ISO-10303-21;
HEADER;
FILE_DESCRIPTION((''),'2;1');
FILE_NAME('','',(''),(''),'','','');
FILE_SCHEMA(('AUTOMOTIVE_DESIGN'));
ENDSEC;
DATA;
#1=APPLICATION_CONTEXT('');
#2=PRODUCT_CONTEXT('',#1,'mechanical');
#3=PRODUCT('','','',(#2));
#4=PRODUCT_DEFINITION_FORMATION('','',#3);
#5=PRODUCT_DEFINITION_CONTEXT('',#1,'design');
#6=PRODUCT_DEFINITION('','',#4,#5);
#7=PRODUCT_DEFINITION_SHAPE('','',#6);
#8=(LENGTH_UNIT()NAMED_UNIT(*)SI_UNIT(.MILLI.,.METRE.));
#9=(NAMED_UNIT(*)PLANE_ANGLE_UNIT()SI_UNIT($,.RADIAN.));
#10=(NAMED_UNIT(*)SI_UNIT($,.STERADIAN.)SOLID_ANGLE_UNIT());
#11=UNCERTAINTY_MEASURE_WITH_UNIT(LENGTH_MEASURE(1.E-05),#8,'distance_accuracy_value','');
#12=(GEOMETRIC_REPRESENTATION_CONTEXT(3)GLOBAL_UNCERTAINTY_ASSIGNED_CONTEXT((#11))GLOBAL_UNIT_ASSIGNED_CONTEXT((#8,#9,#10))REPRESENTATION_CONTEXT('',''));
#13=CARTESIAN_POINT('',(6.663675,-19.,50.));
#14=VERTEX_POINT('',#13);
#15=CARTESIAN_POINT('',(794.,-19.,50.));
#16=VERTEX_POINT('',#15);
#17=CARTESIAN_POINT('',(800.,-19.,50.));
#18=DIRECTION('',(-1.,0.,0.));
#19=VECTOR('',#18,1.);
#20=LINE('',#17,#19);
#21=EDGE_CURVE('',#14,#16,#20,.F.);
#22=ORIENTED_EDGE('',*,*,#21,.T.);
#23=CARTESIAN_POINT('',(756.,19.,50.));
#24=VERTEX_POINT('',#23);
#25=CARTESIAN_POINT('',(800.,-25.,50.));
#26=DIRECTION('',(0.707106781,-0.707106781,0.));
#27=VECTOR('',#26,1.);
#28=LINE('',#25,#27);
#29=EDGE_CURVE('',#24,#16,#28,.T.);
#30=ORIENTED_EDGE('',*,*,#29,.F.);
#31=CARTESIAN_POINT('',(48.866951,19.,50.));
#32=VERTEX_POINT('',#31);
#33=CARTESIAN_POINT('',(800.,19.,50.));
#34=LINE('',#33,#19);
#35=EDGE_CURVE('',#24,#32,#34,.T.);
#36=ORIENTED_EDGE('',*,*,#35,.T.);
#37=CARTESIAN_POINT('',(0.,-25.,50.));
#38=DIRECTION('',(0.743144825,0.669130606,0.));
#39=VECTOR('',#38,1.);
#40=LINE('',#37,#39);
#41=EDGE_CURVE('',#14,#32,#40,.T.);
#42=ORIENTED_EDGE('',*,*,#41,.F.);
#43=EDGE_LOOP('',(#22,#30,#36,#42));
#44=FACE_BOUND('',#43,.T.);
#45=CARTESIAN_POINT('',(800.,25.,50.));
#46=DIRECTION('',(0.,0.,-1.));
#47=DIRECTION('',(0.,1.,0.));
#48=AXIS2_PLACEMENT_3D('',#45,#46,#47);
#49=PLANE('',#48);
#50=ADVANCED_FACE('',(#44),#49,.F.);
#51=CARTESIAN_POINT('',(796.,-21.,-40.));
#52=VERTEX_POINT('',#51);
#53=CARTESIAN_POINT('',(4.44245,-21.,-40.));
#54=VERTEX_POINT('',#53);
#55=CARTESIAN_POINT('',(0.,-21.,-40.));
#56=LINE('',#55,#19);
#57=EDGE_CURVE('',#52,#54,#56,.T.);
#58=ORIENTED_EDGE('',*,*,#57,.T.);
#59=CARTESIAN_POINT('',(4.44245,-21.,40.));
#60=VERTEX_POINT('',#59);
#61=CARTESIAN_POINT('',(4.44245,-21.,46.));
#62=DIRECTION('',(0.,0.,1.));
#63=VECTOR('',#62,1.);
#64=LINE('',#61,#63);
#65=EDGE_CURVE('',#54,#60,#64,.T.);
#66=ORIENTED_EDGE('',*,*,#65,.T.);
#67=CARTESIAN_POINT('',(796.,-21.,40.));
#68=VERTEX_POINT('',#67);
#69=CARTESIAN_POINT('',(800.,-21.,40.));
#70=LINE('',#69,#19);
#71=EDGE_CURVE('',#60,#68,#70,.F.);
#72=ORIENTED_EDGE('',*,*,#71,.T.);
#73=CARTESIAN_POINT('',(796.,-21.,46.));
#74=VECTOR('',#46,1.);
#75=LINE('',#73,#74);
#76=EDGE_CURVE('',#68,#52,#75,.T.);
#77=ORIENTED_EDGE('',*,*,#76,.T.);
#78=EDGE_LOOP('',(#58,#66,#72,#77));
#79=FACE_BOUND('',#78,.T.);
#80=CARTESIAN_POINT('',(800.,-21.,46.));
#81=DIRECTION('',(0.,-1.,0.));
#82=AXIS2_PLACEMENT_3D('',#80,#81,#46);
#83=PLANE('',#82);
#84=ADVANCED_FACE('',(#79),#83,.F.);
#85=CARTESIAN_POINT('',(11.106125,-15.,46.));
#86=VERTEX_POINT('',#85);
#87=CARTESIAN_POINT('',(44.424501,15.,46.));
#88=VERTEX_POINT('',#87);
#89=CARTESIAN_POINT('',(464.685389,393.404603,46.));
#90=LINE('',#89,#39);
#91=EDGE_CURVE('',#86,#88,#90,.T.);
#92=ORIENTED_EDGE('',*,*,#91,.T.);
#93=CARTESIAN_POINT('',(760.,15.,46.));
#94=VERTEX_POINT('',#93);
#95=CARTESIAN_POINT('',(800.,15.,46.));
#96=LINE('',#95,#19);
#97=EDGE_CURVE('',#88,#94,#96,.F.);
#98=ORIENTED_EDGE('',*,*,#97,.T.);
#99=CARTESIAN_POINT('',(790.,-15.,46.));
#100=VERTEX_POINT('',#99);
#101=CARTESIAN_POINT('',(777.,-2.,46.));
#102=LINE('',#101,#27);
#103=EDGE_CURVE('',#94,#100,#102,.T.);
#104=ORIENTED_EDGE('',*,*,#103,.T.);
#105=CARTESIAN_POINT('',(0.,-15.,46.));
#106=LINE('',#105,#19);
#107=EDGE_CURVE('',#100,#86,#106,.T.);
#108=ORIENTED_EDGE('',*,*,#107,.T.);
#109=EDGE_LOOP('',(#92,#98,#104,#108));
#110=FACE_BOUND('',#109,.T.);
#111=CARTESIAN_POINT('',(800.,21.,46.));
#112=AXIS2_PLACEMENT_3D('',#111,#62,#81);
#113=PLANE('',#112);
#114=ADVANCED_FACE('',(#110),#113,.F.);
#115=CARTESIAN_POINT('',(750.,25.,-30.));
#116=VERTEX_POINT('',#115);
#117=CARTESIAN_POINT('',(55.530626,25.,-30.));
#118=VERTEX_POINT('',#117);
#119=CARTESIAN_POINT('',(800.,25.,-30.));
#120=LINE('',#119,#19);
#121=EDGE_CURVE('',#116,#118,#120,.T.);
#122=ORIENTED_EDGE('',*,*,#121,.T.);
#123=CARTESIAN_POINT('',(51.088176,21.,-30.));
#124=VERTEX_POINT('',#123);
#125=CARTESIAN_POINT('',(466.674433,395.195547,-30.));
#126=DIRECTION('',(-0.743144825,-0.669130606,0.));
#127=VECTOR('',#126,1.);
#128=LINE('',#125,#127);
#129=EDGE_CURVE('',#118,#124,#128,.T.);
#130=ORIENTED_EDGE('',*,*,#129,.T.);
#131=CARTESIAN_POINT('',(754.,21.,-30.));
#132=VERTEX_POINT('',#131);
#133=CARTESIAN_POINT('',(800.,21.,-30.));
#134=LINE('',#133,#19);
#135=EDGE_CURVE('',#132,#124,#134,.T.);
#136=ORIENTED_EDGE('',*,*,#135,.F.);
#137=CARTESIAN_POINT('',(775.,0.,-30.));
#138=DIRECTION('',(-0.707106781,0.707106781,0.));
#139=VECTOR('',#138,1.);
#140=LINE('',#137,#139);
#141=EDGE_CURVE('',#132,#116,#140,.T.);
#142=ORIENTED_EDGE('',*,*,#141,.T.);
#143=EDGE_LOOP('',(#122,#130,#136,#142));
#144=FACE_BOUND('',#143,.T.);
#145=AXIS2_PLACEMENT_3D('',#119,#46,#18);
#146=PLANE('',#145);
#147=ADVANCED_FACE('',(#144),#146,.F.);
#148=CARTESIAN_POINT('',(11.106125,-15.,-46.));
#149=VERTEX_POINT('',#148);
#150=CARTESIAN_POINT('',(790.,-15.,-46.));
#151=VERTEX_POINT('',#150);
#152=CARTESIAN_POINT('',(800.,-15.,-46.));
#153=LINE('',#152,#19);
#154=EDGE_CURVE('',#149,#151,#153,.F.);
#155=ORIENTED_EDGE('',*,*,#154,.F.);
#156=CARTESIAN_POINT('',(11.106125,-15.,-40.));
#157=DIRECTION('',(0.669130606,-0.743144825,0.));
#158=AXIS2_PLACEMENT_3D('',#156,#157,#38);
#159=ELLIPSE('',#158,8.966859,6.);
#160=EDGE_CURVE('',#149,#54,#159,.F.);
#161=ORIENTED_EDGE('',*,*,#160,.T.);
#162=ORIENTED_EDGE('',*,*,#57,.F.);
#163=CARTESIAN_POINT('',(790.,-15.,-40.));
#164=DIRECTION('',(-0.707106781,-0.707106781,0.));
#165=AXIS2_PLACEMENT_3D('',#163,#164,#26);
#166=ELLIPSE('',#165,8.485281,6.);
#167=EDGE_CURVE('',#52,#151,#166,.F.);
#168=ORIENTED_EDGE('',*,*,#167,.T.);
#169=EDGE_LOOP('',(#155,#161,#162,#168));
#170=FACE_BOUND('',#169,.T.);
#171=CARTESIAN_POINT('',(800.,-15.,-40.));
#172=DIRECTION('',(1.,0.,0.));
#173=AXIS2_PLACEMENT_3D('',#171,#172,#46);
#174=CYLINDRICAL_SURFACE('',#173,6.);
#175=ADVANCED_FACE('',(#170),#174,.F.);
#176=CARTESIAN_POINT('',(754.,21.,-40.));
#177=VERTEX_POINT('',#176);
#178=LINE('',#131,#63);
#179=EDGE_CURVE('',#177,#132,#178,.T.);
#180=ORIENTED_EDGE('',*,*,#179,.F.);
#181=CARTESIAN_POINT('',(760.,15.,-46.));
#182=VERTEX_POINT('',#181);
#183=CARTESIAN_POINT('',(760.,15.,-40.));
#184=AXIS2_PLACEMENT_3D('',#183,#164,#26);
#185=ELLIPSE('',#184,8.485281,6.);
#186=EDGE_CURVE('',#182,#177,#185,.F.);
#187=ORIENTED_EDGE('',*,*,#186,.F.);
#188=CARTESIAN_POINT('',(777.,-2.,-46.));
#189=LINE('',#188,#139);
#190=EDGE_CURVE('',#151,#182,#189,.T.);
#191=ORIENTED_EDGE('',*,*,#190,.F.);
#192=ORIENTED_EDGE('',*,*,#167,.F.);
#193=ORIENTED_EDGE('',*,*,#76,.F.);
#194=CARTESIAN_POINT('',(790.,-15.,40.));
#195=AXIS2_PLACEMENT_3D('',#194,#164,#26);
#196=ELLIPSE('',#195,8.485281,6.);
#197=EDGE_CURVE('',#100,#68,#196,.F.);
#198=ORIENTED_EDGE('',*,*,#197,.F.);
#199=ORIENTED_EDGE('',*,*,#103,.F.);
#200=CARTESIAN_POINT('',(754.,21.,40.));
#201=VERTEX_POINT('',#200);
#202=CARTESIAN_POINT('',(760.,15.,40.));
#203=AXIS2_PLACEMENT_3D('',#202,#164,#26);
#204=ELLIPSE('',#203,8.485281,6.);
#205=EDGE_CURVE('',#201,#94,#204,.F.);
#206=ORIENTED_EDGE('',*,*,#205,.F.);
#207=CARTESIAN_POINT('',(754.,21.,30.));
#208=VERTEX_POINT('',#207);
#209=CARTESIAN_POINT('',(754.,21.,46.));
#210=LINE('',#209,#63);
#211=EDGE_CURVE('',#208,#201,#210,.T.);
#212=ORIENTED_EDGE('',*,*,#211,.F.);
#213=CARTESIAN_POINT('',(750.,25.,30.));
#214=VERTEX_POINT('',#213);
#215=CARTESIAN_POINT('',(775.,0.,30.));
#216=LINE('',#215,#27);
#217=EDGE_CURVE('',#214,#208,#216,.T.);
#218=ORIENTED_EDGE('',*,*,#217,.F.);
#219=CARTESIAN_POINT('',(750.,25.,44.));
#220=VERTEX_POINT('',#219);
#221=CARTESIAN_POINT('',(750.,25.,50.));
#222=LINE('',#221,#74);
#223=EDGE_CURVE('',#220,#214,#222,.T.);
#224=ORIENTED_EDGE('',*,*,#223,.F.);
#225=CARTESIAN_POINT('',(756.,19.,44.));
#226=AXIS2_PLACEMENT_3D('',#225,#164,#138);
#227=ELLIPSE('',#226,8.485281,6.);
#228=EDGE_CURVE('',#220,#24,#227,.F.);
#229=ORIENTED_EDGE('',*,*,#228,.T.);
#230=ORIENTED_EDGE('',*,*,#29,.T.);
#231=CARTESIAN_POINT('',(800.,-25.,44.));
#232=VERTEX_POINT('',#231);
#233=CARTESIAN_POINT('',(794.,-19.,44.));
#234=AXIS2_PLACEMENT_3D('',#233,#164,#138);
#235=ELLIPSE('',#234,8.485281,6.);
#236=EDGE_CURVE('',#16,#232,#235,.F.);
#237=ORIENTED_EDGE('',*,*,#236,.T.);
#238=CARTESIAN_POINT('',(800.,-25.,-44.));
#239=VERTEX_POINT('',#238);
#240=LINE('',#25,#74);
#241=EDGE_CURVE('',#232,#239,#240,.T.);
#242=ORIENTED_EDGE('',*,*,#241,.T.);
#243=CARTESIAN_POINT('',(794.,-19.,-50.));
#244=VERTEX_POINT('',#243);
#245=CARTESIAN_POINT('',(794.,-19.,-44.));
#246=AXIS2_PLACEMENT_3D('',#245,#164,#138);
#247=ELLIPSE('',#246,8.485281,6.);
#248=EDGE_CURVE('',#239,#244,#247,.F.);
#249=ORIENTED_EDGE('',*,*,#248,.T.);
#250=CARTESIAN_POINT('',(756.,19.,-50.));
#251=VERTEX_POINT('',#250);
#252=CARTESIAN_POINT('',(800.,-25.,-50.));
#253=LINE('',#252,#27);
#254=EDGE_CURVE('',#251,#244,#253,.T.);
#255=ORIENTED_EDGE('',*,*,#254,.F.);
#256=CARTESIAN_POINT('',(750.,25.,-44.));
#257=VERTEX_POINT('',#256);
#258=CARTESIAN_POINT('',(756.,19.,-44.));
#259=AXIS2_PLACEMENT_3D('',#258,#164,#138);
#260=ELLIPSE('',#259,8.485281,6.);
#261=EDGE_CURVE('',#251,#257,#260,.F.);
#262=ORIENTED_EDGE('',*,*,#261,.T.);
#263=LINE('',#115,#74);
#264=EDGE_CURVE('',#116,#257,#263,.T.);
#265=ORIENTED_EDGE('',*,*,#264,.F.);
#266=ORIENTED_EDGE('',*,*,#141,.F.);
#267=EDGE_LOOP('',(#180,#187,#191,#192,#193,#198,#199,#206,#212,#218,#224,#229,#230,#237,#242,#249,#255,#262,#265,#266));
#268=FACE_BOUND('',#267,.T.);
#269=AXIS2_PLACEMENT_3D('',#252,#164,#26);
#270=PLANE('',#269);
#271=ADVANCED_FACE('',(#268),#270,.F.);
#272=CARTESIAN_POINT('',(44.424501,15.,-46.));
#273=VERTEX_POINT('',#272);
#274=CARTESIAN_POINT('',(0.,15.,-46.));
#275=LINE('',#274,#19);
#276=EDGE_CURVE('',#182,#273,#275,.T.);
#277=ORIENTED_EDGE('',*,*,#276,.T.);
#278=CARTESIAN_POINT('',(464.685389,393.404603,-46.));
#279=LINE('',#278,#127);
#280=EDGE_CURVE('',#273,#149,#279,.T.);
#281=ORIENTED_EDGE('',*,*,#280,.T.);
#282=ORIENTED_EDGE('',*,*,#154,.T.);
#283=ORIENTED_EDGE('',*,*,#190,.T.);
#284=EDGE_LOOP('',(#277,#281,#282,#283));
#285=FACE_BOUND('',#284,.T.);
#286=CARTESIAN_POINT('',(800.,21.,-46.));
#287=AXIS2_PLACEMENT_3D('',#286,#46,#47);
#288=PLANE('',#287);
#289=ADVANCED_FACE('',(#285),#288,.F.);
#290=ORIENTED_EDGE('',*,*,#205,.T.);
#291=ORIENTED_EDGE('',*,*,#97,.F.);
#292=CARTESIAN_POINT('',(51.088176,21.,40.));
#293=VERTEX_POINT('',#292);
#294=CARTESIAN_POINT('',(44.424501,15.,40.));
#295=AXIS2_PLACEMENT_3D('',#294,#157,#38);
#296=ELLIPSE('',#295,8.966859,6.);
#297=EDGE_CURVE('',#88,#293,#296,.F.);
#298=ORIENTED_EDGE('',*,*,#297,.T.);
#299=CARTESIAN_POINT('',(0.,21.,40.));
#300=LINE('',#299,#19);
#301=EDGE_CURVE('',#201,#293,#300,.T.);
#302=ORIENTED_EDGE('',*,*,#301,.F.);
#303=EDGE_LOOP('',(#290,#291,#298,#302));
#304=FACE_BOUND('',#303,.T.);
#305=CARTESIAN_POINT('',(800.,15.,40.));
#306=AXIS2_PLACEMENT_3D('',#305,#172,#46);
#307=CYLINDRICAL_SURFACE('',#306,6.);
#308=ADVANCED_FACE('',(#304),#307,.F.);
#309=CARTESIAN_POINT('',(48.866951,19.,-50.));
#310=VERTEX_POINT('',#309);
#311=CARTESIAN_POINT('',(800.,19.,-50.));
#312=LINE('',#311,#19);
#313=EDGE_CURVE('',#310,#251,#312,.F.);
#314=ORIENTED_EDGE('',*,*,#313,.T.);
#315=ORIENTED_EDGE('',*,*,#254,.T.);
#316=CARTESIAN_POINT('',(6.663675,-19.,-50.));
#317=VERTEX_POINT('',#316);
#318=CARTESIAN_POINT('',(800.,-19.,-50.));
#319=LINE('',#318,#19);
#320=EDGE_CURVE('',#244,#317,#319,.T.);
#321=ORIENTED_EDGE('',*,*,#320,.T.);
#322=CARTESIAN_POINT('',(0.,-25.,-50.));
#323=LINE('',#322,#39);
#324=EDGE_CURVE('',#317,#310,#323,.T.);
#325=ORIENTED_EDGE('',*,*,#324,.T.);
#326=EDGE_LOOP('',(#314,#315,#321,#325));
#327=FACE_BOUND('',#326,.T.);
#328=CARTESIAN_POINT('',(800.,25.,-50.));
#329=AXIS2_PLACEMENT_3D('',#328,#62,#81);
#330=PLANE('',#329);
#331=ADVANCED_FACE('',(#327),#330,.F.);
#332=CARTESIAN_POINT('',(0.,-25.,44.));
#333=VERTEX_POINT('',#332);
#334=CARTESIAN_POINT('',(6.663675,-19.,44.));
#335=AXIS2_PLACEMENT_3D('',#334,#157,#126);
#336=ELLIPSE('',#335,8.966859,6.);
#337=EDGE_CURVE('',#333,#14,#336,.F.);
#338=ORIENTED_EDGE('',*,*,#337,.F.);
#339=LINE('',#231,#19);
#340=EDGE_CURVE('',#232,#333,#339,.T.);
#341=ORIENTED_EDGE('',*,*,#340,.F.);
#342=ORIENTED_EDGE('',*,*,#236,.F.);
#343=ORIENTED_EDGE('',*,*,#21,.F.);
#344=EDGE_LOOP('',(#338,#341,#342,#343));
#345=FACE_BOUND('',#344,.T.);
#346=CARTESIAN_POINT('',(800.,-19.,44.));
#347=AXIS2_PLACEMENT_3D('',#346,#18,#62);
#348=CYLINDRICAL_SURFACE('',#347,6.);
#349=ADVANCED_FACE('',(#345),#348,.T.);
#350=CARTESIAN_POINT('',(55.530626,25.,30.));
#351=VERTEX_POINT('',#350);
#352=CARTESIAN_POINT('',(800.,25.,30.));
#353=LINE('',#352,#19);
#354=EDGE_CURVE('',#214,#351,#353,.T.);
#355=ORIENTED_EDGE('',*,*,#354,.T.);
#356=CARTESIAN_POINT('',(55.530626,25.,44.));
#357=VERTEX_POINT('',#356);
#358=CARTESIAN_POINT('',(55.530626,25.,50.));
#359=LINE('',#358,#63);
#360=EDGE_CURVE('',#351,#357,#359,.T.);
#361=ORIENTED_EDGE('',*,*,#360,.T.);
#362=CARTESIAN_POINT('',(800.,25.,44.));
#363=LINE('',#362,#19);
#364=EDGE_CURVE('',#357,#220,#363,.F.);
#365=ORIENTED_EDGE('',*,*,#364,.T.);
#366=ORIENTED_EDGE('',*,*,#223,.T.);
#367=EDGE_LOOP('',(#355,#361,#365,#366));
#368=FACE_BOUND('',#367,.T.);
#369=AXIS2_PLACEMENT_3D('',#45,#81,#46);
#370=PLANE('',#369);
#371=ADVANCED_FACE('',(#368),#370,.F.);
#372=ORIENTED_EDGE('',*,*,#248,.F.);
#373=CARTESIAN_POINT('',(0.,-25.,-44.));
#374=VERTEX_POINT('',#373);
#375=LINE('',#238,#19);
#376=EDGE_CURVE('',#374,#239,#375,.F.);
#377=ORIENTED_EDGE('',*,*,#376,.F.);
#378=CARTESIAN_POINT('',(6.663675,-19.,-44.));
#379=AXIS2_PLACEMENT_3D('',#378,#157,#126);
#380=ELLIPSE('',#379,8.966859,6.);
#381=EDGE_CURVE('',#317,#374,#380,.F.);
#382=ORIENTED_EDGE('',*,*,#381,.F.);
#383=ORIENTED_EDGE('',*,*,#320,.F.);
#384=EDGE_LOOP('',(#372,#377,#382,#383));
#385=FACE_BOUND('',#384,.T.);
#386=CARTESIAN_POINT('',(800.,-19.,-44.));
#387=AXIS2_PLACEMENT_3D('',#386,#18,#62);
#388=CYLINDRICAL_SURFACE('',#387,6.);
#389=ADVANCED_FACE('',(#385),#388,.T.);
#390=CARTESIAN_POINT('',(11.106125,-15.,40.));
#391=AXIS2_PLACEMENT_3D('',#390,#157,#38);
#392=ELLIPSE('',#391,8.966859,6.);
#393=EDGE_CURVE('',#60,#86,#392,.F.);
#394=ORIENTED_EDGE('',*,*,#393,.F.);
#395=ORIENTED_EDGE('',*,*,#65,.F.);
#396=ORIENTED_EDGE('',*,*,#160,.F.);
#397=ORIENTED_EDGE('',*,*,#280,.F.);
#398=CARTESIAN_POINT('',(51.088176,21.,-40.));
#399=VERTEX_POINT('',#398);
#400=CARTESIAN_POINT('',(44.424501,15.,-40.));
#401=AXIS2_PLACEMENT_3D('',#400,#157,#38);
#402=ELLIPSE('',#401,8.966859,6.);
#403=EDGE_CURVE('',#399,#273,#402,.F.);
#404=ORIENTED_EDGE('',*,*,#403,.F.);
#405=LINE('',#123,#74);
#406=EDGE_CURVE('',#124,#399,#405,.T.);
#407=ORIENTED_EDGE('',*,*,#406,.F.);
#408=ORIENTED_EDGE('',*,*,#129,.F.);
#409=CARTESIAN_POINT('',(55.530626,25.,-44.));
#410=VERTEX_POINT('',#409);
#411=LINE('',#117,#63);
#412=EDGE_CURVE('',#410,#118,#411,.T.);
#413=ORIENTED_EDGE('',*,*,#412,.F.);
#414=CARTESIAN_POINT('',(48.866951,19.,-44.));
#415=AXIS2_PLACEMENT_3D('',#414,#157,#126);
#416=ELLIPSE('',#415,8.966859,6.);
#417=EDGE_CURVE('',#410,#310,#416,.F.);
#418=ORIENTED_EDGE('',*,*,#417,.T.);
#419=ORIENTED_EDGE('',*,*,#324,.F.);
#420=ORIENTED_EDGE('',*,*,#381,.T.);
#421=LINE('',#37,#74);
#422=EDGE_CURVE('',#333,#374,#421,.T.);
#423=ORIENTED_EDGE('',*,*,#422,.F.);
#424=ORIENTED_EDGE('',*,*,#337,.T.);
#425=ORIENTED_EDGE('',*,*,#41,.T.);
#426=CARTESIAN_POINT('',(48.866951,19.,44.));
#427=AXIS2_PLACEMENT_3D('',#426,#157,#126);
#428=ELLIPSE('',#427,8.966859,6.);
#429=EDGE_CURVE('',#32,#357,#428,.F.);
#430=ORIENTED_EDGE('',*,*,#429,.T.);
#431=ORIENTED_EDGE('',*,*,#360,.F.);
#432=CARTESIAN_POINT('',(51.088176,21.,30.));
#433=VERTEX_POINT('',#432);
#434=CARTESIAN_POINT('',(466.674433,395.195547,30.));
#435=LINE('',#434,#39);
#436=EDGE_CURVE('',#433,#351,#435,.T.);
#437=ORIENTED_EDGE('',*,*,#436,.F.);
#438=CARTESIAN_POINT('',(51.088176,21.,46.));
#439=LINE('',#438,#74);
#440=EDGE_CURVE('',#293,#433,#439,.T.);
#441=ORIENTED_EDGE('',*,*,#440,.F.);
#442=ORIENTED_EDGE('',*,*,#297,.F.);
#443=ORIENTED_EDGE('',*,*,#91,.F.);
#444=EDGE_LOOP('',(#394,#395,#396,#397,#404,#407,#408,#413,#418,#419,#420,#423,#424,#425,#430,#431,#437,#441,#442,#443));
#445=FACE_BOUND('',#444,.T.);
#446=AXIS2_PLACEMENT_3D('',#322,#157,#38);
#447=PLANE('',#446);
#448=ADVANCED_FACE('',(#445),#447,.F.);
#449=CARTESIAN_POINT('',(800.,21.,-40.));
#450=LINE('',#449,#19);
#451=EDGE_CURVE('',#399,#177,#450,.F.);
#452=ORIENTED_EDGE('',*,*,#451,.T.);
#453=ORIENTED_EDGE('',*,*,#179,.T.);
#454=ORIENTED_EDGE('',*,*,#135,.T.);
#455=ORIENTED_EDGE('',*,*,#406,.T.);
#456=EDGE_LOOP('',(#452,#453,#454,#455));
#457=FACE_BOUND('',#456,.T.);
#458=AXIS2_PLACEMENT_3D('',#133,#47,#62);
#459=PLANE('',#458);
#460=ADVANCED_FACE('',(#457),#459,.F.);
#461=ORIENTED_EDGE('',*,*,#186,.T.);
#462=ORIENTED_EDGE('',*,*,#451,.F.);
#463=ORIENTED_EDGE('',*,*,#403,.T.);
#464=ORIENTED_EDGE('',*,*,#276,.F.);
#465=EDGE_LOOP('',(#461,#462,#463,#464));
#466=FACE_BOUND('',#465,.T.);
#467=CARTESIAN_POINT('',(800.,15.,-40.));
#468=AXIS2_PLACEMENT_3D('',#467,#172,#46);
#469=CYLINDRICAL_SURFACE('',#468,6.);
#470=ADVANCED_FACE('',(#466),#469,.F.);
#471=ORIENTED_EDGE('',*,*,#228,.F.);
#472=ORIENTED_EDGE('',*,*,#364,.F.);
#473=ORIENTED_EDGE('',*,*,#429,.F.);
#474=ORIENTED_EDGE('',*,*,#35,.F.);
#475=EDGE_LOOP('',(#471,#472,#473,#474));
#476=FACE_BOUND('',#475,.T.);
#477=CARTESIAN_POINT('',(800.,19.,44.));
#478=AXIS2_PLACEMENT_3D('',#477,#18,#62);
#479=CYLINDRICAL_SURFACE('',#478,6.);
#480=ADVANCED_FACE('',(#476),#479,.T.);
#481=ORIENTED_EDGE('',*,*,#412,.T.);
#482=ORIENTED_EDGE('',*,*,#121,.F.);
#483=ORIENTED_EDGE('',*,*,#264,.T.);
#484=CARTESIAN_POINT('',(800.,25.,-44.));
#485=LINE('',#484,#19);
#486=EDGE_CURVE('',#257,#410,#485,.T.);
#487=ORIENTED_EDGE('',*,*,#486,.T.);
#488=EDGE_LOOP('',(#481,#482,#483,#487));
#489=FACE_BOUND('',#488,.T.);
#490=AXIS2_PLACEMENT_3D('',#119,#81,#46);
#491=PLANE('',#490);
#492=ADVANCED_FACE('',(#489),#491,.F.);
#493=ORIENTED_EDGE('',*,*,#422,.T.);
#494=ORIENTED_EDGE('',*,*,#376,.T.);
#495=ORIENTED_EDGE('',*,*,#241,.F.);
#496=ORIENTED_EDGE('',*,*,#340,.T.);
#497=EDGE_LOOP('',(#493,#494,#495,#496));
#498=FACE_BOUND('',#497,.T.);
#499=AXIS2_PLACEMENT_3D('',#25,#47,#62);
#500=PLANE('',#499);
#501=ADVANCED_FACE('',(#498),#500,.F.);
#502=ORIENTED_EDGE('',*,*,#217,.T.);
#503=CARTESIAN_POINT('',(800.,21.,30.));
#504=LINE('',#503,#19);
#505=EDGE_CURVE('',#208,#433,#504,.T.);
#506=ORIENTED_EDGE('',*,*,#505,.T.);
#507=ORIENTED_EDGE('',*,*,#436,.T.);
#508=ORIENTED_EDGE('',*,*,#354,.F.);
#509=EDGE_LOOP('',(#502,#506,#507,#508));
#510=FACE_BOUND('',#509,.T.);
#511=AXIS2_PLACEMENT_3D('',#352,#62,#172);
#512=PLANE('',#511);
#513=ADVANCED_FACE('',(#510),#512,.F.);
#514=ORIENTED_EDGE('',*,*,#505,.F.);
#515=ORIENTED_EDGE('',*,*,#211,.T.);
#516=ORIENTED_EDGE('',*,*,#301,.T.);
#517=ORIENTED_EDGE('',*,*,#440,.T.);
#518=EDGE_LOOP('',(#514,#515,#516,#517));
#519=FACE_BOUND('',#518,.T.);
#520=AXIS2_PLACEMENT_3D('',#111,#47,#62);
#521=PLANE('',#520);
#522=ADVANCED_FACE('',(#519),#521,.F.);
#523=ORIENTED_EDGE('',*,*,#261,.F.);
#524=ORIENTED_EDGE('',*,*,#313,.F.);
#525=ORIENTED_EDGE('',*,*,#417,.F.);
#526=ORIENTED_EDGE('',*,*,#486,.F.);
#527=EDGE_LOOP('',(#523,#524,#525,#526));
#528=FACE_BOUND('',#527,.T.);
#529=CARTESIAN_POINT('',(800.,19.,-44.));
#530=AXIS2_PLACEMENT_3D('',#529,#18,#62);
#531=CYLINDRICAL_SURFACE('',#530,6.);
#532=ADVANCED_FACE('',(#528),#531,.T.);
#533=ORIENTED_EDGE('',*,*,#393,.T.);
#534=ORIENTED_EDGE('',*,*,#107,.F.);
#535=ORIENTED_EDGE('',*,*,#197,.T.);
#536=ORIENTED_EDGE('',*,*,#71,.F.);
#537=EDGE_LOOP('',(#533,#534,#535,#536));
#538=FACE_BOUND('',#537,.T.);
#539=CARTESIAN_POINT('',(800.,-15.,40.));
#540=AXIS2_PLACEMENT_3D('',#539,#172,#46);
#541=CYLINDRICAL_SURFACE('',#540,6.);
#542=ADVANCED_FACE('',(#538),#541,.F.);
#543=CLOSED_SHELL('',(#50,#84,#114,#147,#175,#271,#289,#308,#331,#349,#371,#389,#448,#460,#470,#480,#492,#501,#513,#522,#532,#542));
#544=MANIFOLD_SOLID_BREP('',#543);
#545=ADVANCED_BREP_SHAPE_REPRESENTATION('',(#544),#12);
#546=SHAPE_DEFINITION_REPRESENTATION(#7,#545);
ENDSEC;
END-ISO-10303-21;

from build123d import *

# Parameters (mm, degrees)
RESSALTO_EXTRUS_O1_DEPTH = 800
FILETE1_R                = 6
CORTE_EXTRUS_O1_DEPTH    = 50
CORTE_EXTRUS_O2_DEPTH    = 50


with BuildPart() as part:
    # Esboço1 → Ressalto-extrusão1 (new body)
    with BuildSketch(Plane(origin=(0, 0, 0), x_dir=(0, 0, -1), z_dir=(1, 0, 0))):
        Polygon((-46, 21), (-46, -21), (46, -21), (46, 21), (30, 21), (30, 25), (50, 25), (50, -25), (-50, -25), (-50, 25), (-30, 25), (-30, 21), align=None)
    extrude(amount=RESSALTO_EXTRUS_O1_DEPTH)

    # Filete1
    filete1_edges = [part.edges().sort_by_distance(p)[0] for p in [
        (400, -25, -50),
        (400, -25, 50),
        (400, 25, 50),
        (400, 21, 46),
        (400, -21, 46),
        (400, -21, -46),
        (400, 21, -46),
        (400, 25, -50),
    ]]
    fillet(filete1_edges, radius=FILETE1_R)

    # Esboço3 → Corte-extrusão1 (cut, symmetric)
    with BuildSketch(Plane.XY):
        Polygon((0, -25), (184.767559257, 159.767559257), (-208.615442636, 104.939092506), align=None)
        Polygon((800, -25), (613.270955215, 161.729044785), (1063.829020425, 161.729044785), align=None)
    extrude(amount=CORTE_EXTRUS_O1_DEPTH, both=True, mode=Mode.SUBTRACT)

    # Esboço4 → Corte-extrusão2 (cut, symmetric)
    with BuildSketch(Plane.XY):
        Polygon((0, -25), (86.027500877, 52.459509711), (-33.344753199, 67.581384702), align=None)
    extrude(amount=CORTE_EXTRUS_O2_DEPTH, both=True, mode=Mode.SUBTRACT)


solid = part.part
